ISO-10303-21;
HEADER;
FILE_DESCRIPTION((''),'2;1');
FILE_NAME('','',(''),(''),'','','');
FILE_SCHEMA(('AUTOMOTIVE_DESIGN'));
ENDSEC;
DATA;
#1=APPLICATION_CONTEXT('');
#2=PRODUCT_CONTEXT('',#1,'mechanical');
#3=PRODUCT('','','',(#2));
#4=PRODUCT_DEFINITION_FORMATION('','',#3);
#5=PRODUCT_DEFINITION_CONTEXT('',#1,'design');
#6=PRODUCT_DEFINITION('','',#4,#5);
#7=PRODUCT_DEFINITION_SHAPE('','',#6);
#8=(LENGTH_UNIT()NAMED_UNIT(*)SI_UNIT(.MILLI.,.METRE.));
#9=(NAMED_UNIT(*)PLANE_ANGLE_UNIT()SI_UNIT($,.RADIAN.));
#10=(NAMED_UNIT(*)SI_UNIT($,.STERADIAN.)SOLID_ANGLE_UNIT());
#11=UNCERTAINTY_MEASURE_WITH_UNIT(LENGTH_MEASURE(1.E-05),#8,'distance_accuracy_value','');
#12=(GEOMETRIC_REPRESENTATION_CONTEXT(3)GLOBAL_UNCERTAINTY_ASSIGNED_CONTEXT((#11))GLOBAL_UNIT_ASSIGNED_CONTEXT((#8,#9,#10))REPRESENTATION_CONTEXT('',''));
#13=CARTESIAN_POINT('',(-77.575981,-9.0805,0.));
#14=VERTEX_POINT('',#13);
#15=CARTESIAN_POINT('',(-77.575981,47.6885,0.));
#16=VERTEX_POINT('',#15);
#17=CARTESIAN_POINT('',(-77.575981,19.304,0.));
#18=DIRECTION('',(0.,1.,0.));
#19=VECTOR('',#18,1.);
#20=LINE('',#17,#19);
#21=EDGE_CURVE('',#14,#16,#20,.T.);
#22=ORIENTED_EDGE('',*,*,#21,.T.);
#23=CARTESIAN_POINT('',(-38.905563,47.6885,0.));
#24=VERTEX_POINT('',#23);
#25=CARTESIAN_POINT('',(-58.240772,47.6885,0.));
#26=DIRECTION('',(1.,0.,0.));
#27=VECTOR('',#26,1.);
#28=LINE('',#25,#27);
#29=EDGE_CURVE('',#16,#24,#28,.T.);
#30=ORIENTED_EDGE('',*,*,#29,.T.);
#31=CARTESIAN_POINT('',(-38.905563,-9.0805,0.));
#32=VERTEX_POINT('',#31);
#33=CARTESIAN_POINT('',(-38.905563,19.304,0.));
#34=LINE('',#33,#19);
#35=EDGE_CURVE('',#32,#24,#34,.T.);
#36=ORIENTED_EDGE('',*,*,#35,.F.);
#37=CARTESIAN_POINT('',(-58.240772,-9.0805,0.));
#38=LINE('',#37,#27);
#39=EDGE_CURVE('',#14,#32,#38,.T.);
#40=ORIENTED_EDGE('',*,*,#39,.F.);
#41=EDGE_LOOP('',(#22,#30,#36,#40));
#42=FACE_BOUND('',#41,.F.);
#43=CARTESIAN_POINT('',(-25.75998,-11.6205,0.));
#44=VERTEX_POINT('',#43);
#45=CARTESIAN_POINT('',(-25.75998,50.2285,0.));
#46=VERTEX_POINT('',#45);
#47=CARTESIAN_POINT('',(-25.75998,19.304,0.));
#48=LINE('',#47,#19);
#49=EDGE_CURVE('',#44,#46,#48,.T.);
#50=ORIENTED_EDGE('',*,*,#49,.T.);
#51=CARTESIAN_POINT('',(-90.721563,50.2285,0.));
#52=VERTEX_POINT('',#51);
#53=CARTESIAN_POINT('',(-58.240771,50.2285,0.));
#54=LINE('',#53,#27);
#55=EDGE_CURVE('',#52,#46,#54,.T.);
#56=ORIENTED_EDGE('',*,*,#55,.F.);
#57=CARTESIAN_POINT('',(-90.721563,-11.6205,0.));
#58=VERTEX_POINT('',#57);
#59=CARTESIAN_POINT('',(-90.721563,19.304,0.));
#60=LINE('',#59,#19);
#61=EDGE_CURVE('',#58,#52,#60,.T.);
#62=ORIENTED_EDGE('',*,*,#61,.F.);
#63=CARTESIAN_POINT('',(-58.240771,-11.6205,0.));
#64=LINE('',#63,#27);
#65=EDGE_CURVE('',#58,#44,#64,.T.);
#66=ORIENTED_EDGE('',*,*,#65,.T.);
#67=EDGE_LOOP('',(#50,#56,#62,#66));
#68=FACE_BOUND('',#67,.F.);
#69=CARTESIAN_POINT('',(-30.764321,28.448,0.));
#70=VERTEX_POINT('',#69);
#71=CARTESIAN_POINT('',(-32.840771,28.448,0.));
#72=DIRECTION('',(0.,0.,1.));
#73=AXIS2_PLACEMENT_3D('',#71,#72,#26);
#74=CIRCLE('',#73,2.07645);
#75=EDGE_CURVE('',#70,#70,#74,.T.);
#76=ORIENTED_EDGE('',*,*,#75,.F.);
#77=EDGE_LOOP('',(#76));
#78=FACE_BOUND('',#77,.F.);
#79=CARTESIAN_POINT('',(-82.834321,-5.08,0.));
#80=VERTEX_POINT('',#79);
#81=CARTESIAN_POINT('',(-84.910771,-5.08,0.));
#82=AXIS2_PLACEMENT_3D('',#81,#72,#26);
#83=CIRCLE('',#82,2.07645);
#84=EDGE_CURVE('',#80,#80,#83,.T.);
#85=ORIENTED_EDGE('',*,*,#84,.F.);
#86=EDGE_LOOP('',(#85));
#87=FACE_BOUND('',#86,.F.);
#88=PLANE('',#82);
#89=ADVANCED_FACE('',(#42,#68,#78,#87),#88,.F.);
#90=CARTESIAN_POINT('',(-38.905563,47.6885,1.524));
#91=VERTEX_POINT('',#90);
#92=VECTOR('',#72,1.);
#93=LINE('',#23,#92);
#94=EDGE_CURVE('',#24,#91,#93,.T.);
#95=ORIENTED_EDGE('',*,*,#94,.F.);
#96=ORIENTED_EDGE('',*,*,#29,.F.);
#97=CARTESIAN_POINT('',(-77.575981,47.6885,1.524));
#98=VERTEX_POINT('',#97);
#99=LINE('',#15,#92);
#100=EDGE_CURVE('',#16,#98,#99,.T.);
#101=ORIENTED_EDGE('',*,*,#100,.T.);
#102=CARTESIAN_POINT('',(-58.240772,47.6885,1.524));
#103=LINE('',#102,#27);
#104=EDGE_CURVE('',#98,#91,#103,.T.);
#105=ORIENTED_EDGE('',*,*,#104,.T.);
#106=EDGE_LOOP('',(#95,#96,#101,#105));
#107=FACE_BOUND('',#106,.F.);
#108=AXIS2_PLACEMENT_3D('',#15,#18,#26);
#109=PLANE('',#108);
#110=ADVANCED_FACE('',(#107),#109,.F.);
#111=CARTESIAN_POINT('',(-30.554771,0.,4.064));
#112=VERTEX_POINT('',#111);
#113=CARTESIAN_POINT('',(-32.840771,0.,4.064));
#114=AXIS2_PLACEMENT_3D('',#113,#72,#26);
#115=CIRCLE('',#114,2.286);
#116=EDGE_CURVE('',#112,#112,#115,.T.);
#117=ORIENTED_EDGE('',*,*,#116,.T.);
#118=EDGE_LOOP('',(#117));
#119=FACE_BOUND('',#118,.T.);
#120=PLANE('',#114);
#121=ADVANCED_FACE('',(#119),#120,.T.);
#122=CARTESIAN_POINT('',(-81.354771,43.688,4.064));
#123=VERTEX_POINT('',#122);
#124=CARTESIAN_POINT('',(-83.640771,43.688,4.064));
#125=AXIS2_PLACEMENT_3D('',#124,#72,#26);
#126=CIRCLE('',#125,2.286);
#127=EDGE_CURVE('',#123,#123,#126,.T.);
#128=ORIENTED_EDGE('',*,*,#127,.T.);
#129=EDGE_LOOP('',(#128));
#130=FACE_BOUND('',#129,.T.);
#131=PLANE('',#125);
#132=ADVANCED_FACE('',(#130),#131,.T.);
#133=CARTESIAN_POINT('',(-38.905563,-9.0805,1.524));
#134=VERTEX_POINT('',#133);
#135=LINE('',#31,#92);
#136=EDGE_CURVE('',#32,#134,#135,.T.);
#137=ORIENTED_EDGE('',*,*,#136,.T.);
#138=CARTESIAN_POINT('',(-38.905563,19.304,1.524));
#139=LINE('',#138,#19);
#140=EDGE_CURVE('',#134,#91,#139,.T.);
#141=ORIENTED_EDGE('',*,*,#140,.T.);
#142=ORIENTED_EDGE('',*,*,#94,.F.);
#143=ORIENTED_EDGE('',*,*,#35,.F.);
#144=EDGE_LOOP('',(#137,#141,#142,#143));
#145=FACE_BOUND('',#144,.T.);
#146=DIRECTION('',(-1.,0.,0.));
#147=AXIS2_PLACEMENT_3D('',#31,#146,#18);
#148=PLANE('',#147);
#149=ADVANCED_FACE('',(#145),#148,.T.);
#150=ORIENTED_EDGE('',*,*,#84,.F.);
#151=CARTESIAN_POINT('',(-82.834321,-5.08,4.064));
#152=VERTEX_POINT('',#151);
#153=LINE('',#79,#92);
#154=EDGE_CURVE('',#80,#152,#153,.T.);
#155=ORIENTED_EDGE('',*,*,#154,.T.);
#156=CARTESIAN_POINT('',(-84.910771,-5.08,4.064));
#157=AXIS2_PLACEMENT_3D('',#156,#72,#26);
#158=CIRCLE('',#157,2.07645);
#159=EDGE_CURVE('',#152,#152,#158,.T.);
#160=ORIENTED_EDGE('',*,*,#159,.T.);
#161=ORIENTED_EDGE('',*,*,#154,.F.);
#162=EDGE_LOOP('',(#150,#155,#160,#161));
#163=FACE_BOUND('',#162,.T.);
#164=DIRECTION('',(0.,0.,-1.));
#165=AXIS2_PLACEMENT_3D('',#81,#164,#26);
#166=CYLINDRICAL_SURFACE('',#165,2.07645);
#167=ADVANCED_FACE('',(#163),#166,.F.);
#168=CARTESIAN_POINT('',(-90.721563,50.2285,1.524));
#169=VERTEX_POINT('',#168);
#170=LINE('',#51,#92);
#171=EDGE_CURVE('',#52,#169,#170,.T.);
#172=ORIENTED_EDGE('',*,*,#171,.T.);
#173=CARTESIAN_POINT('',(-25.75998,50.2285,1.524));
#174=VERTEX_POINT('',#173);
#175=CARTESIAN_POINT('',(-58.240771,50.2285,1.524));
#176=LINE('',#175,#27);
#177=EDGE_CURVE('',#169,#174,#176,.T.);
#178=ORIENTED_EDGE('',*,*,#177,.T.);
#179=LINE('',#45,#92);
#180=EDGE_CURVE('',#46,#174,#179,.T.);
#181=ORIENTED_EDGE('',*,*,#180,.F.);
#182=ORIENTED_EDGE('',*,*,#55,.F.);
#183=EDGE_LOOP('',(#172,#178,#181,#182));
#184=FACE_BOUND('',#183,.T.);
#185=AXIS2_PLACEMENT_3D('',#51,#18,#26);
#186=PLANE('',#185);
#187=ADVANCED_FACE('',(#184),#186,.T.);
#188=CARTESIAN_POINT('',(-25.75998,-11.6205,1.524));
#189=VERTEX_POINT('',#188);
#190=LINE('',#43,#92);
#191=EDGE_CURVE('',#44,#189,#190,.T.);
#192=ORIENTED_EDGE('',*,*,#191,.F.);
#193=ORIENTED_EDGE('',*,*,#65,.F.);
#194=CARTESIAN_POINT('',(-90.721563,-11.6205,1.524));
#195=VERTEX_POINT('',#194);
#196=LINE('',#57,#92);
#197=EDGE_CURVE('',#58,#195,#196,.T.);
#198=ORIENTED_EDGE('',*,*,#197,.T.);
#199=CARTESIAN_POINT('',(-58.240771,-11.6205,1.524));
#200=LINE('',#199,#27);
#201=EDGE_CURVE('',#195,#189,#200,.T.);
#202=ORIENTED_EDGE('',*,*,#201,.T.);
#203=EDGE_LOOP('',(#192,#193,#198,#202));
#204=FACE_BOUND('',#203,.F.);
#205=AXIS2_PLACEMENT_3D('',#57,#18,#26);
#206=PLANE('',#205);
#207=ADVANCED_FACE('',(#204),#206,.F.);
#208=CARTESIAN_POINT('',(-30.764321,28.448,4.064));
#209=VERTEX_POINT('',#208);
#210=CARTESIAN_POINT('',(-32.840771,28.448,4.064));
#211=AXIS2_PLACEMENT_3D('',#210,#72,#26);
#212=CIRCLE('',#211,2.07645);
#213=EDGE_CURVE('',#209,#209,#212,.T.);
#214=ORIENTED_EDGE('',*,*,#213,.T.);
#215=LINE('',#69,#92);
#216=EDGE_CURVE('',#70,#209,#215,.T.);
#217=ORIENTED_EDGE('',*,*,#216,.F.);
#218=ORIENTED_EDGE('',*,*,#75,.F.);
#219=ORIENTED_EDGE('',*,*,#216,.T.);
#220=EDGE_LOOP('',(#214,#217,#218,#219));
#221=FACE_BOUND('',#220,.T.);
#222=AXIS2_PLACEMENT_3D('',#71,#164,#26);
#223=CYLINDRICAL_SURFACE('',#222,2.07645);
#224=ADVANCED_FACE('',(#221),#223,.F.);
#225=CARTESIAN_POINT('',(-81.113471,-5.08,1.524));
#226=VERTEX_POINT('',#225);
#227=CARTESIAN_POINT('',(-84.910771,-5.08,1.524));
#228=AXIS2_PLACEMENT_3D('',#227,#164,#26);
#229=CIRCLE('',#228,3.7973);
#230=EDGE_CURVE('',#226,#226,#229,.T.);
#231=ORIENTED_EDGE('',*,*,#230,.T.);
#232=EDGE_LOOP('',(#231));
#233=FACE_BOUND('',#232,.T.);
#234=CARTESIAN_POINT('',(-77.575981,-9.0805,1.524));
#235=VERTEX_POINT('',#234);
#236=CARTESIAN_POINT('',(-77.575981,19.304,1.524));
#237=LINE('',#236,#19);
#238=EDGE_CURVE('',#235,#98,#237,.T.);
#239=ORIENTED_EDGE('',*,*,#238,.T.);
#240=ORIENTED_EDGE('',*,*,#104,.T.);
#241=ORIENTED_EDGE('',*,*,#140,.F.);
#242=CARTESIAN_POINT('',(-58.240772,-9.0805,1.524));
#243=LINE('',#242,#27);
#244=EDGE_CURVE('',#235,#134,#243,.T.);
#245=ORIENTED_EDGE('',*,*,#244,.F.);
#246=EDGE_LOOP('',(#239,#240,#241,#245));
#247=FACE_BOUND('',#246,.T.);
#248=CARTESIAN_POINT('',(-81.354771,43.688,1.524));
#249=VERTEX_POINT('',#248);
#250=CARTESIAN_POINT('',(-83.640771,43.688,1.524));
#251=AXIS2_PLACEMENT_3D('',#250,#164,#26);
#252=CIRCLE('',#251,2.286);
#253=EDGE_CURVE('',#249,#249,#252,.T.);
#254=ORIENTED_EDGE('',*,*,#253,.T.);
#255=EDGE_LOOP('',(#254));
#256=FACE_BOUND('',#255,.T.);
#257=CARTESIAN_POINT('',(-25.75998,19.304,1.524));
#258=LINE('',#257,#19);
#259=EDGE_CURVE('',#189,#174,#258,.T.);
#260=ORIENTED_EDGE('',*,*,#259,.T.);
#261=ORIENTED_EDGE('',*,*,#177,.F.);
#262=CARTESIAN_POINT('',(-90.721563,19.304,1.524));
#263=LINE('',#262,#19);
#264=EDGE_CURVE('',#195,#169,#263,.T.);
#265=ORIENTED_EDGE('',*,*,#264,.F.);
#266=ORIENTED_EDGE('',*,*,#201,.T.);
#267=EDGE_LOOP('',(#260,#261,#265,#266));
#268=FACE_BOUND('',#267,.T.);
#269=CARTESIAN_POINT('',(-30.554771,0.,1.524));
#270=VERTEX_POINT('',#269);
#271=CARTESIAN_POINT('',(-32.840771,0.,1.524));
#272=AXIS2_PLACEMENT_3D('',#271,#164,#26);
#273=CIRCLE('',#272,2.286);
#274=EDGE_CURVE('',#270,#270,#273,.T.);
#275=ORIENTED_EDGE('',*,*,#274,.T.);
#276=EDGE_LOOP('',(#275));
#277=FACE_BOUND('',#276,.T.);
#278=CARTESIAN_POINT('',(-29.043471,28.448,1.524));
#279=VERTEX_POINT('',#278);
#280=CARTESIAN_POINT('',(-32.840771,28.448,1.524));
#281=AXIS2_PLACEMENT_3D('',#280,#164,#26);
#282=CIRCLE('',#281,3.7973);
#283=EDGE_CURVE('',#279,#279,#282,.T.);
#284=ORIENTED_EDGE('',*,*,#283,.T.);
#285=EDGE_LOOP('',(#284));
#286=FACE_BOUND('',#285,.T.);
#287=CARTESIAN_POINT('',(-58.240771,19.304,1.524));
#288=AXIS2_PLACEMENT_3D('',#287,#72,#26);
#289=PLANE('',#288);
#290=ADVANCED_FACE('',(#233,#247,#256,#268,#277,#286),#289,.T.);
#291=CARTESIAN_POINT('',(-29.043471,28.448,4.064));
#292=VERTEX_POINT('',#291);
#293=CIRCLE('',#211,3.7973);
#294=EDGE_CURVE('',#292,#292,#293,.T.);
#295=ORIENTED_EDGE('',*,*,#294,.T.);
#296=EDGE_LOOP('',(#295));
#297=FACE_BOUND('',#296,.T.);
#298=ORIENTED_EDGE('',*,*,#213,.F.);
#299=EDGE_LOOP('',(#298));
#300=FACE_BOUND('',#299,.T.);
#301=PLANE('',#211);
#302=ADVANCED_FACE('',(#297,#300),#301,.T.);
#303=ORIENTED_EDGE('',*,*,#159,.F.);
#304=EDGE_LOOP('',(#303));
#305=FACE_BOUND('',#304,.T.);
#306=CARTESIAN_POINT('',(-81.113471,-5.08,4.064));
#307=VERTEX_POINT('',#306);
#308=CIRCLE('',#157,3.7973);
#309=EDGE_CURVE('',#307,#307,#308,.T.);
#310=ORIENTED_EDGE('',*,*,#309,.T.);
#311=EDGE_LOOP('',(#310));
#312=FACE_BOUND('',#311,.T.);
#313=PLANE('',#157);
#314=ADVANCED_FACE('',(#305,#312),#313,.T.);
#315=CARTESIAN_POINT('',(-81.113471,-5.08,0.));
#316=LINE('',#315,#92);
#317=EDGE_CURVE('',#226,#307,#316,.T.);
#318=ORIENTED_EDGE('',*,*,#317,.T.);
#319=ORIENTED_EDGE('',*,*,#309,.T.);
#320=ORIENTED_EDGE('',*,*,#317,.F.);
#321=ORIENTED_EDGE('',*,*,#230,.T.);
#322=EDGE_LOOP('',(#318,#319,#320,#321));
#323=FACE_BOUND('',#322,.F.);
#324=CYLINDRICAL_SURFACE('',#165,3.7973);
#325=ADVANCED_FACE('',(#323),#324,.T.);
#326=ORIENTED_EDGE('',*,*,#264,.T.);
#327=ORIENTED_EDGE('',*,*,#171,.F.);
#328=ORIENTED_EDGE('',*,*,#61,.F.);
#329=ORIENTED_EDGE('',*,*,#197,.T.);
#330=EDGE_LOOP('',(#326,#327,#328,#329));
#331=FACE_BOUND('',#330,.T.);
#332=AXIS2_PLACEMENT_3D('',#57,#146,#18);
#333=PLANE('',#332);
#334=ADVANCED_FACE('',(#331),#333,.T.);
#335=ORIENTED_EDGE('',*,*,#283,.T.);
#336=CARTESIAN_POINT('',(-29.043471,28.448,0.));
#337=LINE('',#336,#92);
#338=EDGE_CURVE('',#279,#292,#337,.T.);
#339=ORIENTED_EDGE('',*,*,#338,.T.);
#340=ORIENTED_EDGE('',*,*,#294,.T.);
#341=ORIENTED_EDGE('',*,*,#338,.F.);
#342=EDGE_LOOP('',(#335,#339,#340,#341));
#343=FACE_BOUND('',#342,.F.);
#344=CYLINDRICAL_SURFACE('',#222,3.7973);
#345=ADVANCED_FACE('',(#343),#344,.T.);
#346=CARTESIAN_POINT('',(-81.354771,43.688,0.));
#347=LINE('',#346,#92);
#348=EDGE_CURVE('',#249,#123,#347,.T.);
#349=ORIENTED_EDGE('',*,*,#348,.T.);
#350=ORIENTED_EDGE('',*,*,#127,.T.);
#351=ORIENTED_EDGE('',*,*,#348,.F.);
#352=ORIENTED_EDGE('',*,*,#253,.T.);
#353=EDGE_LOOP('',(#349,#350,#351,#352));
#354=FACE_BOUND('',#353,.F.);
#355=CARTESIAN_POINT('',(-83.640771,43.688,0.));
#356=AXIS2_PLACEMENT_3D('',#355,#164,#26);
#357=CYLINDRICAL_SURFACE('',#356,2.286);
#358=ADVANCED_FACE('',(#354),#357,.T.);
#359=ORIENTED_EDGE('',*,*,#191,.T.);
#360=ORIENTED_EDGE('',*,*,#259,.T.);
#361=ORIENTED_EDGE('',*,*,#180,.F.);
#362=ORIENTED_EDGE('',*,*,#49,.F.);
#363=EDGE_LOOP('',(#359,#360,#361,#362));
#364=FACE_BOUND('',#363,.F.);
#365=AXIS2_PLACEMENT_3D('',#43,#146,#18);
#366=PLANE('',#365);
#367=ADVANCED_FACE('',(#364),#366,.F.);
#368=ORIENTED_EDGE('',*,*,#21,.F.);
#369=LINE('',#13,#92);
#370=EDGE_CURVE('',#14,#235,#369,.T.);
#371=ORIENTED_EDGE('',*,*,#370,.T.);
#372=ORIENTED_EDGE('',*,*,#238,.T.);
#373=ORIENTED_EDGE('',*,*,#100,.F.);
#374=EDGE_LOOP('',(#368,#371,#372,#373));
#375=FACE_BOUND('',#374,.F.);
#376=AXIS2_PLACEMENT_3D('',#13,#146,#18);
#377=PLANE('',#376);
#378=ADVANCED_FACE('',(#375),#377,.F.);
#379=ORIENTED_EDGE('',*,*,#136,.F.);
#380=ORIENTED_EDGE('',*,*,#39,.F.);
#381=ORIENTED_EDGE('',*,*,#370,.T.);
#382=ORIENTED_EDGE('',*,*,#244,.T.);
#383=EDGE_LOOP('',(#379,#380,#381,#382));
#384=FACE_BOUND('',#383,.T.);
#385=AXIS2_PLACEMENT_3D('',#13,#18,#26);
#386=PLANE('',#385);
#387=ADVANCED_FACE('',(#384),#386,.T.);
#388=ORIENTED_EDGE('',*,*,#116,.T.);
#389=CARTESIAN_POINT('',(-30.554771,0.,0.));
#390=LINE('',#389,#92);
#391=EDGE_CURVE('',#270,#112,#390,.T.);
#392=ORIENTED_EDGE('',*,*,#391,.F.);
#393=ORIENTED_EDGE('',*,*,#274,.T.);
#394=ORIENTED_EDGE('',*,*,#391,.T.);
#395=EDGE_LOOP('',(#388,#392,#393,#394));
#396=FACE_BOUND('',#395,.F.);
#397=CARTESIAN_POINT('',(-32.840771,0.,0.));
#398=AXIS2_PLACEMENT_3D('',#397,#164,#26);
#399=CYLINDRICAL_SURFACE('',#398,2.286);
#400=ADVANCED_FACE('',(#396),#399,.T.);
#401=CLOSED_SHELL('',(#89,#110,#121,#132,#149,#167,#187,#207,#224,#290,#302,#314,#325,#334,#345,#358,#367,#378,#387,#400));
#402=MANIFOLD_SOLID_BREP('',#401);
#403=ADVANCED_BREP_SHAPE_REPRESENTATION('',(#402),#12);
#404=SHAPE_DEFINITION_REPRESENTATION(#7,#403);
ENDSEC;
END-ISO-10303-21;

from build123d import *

# Parameters (mm, degrees)
F4_W     = 64.961583
F4_H     = 61.849
F4_W_2   = 38.670417
F4_H_2   = 56.769
F5_DEPTH = 1.524
F1_R     = 3.7973
F1_R_2   = 2.07645
F1_R_3   = 2.286
F6_DEPTH = 4.064
F7_DEPTH = 25.4


with BuildPart() as f5:
    # F4 (on Top) → F5 (new body)
    with BuildSketch(Plane.XY):
        with Locations((-58.240771, 19.304)):
            Rectangle(F4_W, F4_H)
        with Locations((-58.240772, 19.304)):
            Rectangle(F4_W_2, F4_H_2, mode=Mode.SUBTRACT)
    extrude(amount=F5_DEPTH)

    # F1 (on Top) → F6 (join)
    with BuildSketch(Plane.XY):
        with Locations((-84.910771, -5.08)):
            Circle(F1_R)
        with Locations((-84.910771, -5.08)):
            Circle(F1_R_2, mode=Mode.SUBTRACT)
        with Locations((-83.640771, 43.688)):
            Circle(F1_R_3)
        with Locations((-32.840771, 0)):
            Circle(F1_R_3)
        with Locations((-32.840771, 28.448)):
            Circle(F1_R)
        with Locations((-32.840771, 28.448)):
            Circle(F1_R_2, mode=Mode.SUBTRACT)
    extrude(amount=F6_DEPTH)

    # F1 (on Top) → F7 (cut)
    with BuildSketch(Plane.XY):
        with Locations((-84.910771, -5.08)):
            Circle(F1_R_2)
        with Locations((-32.840771, 28.448)):
            Circle(F1_R_2)
    extrude(amount=F7_DEPTH, mode=Mode.SUBTRACT)


solid = f5.part
